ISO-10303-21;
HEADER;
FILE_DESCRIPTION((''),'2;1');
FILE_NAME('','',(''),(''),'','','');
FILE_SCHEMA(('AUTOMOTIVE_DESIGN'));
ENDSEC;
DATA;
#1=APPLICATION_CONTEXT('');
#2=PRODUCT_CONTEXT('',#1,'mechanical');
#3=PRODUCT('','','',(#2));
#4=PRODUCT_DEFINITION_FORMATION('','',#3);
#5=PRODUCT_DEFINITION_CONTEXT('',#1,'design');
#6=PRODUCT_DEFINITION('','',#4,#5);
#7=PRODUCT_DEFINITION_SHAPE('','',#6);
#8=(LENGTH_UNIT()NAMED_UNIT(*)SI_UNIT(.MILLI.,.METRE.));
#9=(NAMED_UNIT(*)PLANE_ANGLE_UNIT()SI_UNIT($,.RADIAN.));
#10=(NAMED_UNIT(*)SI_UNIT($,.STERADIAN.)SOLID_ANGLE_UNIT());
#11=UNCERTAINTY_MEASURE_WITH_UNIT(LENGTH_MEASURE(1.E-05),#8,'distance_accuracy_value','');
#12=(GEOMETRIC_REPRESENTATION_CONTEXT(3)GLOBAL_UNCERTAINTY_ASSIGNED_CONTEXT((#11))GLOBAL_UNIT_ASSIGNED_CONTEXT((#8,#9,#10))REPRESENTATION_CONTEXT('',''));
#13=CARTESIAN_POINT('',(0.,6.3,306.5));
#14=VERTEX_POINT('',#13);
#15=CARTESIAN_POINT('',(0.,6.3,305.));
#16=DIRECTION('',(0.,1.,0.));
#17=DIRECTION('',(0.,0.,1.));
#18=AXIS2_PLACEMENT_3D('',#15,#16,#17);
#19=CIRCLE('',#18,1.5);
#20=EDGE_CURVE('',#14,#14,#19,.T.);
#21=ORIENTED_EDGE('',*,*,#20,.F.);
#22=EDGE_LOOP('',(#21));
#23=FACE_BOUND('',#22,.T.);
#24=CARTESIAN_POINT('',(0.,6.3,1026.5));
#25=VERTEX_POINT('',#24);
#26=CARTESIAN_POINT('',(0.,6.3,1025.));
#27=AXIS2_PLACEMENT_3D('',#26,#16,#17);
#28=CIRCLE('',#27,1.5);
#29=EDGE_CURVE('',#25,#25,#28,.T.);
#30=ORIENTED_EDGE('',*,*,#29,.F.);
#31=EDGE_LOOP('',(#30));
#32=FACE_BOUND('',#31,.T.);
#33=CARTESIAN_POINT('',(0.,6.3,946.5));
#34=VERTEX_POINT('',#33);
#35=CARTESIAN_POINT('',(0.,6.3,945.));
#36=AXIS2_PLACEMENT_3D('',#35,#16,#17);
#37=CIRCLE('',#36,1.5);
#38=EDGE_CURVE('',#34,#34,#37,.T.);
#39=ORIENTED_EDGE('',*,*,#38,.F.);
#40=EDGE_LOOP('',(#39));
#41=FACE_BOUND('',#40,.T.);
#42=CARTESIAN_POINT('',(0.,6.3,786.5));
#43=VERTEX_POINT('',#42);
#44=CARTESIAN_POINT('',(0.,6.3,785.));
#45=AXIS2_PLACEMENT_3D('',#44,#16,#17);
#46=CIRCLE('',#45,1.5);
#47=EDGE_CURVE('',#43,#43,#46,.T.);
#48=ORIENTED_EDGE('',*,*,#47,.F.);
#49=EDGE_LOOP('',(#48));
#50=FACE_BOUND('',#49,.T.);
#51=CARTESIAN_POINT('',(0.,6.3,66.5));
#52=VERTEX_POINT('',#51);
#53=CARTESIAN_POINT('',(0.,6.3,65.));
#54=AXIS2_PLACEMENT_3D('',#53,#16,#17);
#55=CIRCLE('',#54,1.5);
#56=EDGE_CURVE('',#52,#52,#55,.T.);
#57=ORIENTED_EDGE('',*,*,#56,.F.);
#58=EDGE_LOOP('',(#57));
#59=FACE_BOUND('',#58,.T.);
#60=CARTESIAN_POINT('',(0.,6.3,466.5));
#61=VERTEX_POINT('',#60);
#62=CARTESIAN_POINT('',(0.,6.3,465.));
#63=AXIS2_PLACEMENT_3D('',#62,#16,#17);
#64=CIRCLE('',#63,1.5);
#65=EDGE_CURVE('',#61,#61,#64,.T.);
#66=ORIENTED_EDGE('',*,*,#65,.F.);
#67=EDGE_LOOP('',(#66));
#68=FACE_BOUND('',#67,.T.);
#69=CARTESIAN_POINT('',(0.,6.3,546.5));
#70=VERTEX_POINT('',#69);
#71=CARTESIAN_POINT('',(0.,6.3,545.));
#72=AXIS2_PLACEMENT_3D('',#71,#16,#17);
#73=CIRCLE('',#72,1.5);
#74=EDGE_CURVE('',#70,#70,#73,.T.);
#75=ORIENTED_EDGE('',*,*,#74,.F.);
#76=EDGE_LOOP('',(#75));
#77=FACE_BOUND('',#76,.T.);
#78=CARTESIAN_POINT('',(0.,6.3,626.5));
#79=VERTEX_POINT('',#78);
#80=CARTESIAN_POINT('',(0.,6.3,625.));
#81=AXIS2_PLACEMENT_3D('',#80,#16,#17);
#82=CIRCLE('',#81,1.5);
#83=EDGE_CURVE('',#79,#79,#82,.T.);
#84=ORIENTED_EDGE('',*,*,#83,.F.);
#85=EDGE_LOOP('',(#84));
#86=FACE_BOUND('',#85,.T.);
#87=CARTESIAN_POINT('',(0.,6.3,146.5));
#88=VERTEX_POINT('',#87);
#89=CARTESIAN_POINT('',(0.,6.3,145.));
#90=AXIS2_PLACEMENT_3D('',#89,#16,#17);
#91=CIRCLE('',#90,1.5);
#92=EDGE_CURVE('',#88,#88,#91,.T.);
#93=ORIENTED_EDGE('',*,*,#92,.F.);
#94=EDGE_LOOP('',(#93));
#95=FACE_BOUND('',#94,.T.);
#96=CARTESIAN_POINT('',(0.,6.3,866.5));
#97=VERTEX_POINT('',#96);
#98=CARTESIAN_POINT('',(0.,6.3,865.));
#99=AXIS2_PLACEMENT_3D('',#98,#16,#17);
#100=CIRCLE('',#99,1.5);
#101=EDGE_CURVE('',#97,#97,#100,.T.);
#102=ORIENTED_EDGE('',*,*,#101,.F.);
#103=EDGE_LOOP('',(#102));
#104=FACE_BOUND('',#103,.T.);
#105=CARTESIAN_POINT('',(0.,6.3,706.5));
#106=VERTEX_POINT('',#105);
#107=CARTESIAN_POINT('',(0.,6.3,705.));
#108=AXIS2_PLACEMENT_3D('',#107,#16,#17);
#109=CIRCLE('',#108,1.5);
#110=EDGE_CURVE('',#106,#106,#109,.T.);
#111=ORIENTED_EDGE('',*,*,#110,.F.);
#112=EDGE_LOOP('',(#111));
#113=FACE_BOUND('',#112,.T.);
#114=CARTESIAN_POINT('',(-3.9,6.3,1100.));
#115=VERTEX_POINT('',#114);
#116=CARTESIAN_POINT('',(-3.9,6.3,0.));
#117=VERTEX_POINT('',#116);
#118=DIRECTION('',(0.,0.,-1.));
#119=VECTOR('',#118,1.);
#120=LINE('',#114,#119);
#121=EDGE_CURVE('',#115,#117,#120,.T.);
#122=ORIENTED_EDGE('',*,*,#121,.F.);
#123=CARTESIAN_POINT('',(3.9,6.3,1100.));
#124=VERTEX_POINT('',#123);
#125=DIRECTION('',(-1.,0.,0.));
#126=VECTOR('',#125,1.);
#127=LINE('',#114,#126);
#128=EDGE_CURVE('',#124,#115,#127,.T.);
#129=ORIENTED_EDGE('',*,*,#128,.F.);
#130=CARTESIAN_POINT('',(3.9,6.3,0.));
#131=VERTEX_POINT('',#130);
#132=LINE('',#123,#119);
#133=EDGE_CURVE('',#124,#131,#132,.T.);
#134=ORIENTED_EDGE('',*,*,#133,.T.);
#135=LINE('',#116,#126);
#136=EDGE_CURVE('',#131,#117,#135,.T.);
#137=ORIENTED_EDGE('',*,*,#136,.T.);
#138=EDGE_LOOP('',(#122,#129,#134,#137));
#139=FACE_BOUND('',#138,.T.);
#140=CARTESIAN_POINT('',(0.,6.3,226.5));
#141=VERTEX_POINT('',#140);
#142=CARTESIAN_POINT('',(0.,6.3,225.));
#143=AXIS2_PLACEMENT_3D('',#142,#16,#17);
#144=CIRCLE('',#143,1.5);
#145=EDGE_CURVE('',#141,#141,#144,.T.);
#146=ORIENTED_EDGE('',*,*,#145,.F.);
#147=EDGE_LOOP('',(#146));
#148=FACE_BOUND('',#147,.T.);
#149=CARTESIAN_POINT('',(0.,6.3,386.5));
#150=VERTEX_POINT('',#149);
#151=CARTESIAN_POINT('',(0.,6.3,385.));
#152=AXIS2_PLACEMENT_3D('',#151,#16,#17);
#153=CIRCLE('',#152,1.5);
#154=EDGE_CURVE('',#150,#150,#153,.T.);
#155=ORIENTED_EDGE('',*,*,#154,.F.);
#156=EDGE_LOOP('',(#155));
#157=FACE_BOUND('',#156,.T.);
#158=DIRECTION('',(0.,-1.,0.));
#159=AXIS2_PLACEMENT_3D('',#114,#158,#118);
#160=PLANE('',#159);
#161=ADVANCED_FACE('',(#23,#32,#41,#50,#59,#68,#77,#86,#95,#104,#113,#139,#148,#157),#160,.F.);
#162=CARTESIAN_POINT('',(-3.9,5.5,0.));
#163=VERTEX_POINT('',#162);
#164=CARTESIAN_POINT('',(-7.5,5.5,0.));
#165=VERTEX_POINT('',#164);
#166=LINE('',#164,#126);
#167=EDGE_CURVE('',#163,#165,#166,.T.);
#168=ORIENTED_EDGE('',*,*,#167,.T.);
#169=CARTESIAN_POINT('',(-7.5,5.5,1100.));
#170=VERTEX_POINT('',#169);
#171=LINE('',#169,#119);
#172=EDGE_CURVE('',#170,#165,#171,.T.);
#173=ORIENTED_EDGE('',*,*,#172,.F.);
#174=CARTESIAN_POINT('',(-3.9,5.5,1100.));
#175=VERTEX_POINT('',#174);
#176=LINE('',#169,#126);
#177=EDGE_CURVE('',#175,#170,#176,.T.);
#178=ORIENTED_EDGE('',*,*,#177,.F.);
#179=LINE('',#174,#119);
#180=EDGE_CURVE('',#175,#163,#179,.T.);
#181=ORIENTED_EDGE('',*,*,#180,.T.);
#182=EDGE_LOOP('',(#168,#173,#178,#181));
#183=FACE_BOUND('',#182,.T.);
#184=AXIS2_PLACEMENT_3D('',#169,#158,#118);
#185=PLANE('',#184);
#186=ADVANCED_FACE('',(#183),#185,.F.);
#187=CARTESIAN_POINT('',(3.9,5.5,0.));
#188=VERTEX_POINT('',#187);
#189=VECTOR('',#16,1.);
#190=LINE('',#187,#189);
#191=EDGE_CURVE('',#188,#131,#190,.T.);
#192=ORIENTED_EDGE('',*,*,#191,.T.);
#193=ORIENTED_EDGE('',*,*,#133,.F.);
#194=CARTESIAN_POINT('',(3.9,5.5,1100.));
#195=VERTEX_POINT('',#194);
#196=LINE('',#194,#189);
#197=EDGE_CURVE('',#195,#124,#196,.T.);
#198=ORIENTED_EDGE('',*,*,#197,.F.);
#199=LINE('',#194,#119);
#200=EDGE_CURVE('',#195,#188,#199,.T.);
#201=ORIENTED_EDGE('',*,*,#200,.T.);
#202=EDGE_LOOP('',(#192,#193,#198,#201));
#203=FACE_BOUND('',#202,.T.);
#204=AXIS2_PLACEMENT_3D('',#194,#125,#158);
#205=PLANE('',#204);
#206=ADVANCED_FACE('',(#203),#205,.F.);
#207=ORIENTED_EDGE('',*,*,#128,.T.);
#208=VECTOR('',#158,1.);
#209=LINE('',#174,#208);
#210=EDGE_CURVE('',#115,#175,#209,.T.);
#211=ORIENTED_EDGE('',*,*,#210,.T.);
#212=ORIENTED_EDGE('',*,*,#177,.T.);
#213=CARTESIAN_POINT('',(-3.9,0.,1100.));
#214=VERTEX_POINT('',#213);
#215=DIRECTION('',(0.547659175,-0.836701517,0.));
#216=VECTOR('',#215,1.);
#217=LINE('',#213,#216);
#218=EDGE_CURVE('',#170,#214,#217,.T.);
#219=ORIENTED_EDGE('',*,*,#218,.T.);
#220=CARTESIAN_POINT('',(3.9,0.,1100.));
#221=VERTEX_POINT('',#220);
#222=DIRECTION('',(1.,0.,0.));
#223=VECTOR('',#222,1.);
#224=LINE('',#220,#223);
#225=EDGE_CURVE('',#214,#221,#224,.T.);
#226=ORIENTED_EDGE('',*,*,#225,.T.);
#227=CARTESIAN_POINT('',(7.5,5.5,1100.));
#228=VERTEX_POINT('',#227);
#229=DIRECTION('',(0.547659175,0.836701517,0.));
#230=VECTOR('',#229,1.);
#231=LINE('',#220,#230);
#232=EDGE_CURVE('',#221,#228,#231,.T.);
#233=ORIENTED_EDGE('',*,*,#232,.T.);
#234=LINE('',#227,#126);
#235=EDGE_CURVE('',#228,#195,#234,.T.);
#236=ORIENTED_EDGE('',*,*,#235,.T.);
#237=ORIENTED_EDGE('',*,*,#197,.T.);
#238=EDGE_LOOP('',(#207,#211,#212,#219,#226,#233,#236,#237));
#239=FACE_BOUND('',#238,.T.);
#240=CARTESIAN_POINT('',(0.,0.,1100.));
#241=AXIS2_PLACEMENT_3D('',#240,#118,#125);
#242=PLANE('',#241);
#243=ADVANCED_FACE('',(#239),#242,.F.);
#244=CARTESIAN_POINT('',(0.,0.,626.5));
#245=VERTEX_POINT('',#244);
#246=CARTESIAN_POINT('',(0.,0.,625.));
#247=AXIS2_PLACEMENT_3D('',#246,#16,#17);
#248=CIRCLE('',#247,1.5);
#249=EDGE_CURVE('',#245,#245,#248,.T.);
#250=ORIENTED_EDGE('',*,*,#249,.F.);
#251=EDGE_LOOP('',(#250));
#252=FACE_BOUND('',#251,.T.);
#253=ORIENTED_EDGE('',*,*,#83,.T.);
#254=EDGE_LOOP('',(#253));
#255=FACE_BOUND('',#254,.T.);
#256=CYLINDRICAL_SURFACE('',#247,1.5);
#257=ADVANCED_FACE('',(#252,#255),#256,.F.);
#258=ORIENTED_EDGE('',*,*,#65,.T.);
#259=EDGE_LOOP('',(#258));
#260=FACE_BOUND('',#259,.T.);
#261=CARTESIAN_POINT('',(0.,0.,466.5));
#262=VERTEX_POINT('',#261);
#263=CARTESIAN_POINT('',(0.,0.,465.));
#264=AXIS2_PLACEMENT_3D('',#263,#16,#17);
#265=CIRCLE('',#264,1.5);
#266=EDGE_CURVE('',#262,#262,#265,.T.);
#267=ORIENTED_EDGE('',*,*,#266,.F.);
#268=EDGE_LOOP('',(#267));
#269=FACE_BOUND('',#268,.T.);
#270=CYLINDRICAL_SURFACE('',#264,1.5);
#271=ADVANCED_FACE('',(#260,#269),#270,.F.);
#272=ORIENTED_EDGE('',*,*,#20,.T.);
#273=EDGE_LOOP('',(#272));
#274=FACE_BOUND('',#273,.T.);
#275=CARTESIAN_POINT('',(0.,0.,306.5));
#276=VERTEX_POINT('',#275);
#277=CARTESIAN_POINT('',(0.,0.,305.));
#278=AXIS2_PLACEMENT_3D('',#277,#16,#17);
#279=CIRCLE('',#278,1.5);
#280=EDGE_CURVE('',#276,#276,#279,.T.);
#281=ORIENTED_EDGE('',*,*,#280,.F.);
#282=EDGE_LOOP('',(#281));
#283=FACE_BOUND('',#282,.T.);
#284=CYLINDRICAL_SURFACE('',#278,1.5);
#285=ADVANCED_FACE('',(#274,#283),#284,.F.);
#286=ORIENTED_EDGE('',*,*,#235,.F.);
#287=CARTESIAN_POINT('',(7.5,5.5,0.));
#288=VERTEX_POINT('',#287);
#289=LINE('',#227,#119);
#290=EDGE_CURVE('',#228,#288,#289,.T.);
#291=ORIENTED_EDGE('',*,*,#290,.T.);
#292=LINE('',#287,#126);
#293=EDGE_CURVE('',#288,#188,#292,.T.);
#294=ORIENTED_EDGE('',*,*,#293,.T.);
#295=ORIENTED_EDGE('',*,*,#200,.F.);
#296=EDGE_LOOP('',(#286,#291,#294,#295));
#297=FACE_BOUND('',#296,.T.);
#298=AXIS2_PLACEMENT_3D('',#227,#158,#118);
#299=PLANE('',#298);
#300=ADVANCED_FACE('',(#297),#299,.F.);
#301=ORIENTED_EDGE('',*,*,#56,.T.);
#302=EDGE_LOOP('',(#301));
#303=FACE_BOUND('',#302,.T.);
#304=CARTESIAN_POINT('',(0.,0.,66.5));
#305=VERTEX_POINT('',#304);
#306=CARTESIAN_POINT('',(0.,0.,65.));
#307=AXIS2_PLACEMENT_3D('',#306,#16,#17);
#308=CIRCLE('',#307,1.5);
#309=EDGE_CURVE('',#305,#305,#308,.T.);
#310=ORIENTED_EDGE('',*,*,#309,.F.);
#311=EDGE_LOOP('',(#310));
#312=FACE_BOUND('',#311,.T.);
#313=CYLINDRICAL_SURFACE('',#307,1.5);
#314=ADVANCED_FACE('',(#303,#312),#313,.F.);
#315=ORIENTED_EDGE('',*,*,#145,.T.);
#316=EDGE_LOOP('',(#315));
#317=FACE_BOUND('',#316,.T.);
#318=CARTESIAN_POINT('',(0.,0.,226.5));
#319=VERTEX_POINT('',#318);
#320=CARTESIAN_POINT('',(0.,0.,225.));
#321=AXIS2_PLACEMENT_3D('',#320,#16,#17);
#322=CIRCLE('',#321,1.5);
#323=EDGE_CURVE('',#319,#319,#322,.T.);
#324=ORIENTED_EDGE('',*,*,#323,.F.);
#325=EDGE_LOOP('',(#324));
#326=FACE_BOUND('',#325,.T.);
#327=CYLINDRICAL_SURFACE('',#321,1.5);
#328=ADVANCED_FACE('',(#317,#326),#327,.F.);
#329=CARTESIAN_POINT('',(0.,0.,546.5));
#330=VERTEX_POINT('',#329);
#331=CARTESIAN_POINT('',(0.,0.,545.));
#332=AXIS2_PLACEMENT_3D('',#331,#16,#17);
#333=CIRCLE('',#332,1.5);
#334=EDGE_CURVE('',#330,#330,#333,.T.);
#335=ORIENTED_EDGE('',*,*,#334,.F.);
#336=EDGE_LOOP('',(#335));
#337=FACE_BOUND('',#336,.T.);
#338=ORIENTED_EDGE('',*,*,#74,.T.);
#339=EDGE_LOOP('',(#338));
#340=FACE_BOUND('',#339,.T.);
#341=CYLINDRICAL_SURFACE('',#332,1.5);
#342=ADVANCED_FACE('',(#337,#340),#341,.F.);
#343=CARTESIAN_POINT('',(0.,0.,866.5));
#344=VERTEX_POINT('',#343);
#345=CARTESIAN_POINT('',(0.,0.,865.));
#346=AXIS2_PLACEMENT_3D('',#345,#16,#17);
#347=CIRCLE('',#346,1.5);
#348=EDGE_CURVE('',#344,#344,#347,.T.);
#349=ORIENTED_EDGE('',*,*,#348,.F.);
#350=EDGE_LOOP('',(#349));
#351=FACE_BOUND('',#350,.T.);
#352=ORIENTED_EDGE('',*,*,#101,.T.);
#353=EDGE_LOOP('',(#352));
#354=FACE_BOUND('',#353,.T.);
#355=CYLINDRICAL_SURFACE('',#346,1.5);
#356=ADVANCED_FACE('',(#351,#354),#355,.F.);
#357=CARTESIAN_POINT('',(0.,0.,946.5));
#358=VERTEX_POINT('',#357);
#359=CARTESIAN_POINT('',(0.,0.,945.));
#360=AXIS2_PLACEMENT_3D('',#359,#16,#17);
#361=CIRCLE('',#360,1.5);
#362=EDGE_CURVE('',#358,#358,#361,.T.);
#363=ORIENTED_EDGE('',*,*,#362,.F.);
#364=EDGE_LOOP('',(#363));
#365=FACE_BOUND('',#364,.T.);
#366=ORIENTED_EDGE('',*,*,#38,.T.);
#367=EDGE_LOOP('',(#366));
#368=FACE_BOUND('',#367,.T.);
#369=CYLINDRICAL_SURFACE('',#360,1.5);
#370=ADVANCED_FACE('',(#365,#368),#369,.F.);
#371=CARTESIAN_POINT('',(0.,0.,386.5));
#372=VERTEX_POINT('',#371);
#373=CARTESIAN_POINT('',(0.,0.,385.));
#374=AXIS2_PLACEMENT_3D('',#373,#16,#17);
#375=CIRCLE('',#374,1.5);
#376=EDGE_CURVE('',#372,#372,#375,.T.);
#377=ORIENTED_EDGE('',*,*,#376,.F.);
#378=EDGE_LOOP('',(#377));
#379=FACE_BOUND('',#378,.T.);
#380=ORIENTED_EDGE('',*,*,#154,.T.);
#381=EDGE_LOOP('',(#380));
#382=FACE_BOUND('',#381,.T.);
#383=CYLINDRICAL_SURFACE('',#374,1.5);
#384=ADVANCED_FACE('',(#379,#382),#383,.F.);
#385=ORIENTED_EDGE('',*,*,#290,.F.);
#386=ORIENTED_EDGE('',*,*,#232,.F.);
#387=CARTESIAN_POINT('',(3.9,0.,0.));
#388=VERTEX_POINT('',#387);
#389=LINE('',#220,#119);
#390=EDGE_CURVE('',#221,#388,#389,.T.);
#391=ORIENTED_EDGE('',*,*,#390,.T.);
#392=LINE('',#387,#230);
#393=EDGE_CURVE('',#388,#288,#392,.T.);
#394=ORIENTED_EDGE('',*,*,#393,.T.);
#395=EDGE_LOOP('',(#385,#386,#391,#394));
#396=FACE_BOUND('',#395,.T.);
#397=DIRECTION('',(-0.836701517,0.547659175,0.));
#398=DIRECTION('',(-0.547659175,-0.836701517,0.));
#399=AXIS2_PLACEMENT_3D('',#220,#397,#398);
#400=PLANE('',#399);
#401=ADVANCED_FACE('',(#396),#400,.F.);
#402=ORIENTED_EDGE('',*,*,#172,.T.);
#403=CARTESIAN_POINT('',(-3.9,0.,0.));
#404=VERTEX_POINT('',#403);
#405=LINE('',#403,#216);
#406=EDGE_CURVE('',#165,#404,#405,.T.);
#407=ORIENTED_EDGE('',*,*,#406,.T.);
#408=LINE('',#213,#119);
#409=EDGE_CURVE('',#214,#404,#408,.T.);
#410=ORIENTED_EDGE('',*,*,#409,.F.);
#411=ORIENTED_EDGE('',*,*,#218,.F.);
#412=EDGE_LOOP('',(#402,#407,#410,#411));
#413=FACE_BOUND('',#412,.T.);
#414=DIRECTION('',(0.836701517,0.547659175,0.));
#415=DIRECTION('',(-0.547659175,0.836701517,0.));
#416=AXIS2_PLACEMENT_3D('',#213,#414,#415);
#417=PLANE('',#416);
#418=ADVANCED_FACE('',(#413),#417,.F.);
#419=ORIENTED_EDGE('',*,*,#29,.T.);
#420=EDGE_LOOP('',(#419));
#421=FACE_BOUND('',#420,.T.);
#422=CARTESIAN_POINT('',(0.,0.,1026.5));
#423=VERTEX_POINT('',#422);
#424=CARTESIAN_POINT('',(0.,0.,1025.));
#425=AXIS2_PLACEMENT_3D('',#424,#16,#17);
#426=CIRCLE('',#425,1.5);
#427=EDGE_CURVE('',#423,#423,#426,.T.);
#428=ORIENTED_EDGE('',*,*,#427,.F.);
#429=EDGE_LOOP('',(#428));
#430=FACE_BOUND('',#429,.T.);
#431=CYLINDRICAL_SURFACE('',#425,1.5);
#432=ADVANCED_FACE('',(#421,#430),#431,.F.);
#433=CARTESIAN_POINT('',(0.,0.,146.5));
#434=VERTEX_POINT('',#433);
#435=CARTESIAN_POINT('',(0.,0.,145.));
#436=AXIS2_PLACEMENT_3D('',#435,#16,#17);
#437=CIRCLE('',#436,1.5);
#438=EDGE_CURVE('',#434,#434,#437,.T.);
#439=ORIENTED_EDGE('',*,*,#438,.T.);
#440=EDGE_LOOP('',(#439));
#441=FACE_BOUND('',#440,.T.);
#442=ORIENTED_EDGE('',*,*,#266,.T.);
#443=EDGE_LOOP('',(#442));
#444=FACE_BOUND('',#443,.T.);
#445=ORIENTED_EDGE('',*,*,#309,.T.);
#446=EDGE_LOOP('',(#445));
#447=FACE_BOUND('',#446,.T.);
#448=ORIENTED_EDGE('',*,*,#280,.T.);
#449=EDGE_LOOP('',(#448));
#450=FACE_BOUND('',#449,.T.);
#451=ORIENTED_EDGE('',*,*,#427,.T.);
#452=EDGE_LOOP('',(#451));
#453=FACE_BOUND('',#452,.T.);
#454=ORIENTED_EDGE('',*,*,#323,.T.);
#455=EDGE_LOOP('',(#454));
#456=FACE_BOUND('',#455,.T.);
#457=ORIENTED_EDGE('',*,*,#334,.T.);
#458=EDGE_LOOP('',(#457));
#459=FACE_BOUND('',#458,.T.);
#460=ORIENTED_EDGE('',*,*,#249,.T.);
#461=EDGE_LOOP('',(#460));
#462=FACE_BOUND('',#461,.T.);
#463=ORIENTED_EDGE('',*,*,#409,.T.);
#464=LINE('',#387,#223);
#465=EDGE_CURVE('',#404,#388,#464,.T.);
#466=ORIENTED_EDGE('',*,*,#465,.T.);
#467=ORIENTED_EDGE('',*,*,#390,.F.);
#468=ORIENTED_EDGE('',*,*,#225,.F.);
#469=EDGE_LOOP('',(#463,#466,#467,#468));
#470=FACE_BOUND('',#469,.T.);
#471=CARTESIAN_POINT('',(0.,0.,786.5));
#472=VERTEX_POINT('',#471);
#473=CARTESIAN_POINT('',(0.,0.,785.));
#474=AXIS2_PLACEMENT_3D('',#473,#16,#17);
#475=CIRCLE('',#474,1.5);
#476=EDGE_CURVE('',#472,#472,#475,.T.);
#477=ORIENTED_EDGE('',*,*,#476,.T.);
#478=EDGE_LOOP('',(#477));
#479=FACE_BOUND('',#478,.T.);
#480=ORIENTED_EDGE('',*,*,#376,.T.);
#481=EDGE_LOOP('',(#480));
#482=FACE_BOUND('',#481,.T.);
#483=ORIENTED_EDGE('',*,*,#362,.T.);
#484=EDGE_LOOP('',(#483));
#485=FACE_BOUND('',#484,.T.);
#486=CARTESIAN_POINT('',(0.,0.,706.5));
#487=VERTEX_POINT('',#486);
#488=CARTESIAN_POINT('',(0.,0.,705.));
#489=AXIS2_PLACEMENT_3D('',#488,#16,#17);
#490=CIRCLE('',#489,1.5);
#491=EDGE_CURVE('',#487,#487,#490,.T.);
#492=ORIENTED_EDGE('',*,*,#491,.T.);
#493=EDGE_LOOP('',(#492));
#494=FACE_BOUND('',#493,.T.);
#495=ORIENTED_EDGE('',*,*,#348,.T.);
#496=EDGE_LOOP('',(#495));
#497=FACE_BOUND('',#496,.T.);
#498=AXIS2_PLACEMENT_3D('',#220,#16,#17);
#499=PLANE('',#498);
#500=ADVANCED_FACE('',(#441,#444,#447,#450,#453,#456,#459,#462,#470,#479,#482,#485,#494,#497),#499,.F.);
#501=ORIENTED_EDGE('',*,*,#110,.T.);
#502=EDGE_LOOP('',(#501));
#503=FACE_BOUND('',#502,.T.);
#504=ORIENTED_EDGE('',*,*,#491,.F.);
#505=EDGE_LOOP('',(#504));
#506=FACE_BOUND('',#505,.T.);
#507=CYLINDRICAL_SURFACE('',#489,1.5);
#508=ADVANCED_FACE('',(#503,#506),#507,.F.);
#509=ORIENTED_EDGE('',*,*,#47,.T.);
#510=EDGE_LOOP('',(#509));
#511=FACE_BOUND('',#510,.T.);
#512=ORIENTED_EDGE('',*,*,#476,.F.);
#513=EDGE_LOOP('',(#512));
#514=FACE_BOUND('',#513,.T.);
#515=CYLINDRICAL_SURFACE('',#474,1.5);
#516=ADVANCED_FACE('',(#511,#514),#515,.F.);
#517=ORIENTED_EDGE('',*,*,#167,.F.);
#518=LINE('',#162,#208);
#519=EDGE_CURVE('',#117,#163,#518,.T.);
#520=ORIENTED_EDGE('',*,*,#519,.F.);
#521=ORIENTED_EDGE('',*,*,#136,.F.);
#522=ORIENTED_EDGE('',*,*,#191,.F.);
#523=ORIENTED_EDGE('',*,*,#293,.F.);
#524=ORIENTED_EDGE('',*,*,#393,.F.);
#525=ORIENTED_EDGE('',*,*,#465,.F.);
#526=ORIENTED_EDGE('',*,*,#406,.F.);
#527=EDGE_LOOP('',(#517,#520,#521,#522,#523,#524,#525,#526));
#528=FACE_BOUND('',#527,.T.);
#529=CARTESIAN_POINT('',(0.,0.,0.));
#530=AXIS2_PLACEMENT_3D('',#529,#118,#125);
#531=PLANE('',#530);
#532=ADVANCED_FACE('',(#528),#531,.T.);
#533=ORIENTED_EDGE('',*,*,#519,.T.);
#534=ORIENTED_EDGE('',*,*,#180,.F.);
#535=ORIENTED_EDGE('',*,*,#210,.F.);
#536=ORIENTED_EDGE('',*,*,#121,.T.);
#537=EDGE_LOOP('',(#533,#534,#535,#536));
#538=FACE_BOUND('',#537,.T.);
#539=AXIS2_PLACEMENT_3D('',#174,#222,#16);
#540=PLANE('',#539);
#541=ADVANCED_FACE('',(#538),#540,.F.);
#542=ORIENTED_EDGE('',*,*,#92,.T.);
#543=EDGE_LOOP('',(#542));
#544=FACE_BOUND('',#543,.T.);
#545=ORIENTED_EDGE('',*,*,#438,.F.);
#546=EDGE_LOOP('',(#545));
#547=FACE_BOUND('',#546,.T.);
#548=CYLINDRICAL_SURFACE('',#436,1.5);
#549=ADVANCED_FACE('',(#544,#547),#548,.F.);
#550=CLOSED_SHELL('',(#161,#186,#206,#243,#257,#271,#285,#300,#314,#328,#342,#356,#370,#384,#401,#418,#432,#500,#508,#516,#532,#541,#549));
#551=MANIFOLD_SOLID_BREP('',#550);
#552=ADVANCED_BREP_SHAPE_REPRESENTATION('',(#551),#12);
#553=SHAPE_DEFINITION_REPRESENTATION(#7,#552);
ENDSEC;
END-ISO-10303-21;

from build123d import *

# Parameters (mm, degrees)
BOSS_EXTRUDE1_DEPTH = 1100
SKETCH2_R           = 1.5
CUT_EXTRUDE1_DEPTH  = 1101.043608227


with BuildPart() as part:
    # Sketch1 → Boss-Extrude1 (new body)
    with BuildSketch(Plane.XY):
        Polygon((3.9, 0), (-3.9, 0), (-7.5, 5.5), (-3.9, 5.5), (-3.9, 6.3), (3.9, 6.3), (3.9, 5.5), (7.5, 5.5), align=None)
    extrude(amount=BOSS_EXTRUDE1_DEPTH)

    # Sketch2 → Cut-Extrude1 (cut, through all)
    with BuildSketch(Plane(origin=(0, 6.3, 0), x_dir=(1, 0, 0), z_dir=(0, 1, 0))):
        with Locations(Location((0, -65, 0), (0, 0, 270))):
            Circle(SKETCH2_R)
        with Locations(Location((0, -145, 0), (0, 0, 270))):
            Circle(SKETCH2_R)
        with Locations(Location((0, -225, 0), (0, 0, 270))):
            Circle(SKETCH2_R)
        with Locations(Location((0, -305, 0), (0, 0, 270))):
            Circle(SKETCH2_R)
        with Locations(Location((0, -385, 0), (0, 0, 270))):
            Circle(SKETCH2_R)
        with Locations(Location((0, -465, 0), (0, 0, 270))):
            Circle(SKETCH2_R)
        with Locations(Location((0, -545, 0), (0, 0, 270))):
            Circle(SKETCH2_R)
        with Locations(Location((0, -625, 0), (0, 0, 270))):
            Circle(SKETCH2_R)
        with Locations(Location((0, -705, 0), (0, 0, 270))):
            Circle(SKETCH2_R)
        with Locations(Location((0, -785, 0), (0, 0, 270))):
            Circle(SKETCH2_R)
        with Locations(Location((0, -865, 0), (0, 0, 270))):
            Circle(SKETCH2_R)
        with Locations(Location((0, -945, 0), (0, 0, 270))):
            Circle(SKETCH2_R)
        with Locations(Location((0, -1025, 0), (0, 0, 270))):
            Circle(SKETCH2_R)
    extrude(amount=-CUT_EXTRUDE1_DEPTH, mode=Mode.SUBTRACT)


solid = part.part
